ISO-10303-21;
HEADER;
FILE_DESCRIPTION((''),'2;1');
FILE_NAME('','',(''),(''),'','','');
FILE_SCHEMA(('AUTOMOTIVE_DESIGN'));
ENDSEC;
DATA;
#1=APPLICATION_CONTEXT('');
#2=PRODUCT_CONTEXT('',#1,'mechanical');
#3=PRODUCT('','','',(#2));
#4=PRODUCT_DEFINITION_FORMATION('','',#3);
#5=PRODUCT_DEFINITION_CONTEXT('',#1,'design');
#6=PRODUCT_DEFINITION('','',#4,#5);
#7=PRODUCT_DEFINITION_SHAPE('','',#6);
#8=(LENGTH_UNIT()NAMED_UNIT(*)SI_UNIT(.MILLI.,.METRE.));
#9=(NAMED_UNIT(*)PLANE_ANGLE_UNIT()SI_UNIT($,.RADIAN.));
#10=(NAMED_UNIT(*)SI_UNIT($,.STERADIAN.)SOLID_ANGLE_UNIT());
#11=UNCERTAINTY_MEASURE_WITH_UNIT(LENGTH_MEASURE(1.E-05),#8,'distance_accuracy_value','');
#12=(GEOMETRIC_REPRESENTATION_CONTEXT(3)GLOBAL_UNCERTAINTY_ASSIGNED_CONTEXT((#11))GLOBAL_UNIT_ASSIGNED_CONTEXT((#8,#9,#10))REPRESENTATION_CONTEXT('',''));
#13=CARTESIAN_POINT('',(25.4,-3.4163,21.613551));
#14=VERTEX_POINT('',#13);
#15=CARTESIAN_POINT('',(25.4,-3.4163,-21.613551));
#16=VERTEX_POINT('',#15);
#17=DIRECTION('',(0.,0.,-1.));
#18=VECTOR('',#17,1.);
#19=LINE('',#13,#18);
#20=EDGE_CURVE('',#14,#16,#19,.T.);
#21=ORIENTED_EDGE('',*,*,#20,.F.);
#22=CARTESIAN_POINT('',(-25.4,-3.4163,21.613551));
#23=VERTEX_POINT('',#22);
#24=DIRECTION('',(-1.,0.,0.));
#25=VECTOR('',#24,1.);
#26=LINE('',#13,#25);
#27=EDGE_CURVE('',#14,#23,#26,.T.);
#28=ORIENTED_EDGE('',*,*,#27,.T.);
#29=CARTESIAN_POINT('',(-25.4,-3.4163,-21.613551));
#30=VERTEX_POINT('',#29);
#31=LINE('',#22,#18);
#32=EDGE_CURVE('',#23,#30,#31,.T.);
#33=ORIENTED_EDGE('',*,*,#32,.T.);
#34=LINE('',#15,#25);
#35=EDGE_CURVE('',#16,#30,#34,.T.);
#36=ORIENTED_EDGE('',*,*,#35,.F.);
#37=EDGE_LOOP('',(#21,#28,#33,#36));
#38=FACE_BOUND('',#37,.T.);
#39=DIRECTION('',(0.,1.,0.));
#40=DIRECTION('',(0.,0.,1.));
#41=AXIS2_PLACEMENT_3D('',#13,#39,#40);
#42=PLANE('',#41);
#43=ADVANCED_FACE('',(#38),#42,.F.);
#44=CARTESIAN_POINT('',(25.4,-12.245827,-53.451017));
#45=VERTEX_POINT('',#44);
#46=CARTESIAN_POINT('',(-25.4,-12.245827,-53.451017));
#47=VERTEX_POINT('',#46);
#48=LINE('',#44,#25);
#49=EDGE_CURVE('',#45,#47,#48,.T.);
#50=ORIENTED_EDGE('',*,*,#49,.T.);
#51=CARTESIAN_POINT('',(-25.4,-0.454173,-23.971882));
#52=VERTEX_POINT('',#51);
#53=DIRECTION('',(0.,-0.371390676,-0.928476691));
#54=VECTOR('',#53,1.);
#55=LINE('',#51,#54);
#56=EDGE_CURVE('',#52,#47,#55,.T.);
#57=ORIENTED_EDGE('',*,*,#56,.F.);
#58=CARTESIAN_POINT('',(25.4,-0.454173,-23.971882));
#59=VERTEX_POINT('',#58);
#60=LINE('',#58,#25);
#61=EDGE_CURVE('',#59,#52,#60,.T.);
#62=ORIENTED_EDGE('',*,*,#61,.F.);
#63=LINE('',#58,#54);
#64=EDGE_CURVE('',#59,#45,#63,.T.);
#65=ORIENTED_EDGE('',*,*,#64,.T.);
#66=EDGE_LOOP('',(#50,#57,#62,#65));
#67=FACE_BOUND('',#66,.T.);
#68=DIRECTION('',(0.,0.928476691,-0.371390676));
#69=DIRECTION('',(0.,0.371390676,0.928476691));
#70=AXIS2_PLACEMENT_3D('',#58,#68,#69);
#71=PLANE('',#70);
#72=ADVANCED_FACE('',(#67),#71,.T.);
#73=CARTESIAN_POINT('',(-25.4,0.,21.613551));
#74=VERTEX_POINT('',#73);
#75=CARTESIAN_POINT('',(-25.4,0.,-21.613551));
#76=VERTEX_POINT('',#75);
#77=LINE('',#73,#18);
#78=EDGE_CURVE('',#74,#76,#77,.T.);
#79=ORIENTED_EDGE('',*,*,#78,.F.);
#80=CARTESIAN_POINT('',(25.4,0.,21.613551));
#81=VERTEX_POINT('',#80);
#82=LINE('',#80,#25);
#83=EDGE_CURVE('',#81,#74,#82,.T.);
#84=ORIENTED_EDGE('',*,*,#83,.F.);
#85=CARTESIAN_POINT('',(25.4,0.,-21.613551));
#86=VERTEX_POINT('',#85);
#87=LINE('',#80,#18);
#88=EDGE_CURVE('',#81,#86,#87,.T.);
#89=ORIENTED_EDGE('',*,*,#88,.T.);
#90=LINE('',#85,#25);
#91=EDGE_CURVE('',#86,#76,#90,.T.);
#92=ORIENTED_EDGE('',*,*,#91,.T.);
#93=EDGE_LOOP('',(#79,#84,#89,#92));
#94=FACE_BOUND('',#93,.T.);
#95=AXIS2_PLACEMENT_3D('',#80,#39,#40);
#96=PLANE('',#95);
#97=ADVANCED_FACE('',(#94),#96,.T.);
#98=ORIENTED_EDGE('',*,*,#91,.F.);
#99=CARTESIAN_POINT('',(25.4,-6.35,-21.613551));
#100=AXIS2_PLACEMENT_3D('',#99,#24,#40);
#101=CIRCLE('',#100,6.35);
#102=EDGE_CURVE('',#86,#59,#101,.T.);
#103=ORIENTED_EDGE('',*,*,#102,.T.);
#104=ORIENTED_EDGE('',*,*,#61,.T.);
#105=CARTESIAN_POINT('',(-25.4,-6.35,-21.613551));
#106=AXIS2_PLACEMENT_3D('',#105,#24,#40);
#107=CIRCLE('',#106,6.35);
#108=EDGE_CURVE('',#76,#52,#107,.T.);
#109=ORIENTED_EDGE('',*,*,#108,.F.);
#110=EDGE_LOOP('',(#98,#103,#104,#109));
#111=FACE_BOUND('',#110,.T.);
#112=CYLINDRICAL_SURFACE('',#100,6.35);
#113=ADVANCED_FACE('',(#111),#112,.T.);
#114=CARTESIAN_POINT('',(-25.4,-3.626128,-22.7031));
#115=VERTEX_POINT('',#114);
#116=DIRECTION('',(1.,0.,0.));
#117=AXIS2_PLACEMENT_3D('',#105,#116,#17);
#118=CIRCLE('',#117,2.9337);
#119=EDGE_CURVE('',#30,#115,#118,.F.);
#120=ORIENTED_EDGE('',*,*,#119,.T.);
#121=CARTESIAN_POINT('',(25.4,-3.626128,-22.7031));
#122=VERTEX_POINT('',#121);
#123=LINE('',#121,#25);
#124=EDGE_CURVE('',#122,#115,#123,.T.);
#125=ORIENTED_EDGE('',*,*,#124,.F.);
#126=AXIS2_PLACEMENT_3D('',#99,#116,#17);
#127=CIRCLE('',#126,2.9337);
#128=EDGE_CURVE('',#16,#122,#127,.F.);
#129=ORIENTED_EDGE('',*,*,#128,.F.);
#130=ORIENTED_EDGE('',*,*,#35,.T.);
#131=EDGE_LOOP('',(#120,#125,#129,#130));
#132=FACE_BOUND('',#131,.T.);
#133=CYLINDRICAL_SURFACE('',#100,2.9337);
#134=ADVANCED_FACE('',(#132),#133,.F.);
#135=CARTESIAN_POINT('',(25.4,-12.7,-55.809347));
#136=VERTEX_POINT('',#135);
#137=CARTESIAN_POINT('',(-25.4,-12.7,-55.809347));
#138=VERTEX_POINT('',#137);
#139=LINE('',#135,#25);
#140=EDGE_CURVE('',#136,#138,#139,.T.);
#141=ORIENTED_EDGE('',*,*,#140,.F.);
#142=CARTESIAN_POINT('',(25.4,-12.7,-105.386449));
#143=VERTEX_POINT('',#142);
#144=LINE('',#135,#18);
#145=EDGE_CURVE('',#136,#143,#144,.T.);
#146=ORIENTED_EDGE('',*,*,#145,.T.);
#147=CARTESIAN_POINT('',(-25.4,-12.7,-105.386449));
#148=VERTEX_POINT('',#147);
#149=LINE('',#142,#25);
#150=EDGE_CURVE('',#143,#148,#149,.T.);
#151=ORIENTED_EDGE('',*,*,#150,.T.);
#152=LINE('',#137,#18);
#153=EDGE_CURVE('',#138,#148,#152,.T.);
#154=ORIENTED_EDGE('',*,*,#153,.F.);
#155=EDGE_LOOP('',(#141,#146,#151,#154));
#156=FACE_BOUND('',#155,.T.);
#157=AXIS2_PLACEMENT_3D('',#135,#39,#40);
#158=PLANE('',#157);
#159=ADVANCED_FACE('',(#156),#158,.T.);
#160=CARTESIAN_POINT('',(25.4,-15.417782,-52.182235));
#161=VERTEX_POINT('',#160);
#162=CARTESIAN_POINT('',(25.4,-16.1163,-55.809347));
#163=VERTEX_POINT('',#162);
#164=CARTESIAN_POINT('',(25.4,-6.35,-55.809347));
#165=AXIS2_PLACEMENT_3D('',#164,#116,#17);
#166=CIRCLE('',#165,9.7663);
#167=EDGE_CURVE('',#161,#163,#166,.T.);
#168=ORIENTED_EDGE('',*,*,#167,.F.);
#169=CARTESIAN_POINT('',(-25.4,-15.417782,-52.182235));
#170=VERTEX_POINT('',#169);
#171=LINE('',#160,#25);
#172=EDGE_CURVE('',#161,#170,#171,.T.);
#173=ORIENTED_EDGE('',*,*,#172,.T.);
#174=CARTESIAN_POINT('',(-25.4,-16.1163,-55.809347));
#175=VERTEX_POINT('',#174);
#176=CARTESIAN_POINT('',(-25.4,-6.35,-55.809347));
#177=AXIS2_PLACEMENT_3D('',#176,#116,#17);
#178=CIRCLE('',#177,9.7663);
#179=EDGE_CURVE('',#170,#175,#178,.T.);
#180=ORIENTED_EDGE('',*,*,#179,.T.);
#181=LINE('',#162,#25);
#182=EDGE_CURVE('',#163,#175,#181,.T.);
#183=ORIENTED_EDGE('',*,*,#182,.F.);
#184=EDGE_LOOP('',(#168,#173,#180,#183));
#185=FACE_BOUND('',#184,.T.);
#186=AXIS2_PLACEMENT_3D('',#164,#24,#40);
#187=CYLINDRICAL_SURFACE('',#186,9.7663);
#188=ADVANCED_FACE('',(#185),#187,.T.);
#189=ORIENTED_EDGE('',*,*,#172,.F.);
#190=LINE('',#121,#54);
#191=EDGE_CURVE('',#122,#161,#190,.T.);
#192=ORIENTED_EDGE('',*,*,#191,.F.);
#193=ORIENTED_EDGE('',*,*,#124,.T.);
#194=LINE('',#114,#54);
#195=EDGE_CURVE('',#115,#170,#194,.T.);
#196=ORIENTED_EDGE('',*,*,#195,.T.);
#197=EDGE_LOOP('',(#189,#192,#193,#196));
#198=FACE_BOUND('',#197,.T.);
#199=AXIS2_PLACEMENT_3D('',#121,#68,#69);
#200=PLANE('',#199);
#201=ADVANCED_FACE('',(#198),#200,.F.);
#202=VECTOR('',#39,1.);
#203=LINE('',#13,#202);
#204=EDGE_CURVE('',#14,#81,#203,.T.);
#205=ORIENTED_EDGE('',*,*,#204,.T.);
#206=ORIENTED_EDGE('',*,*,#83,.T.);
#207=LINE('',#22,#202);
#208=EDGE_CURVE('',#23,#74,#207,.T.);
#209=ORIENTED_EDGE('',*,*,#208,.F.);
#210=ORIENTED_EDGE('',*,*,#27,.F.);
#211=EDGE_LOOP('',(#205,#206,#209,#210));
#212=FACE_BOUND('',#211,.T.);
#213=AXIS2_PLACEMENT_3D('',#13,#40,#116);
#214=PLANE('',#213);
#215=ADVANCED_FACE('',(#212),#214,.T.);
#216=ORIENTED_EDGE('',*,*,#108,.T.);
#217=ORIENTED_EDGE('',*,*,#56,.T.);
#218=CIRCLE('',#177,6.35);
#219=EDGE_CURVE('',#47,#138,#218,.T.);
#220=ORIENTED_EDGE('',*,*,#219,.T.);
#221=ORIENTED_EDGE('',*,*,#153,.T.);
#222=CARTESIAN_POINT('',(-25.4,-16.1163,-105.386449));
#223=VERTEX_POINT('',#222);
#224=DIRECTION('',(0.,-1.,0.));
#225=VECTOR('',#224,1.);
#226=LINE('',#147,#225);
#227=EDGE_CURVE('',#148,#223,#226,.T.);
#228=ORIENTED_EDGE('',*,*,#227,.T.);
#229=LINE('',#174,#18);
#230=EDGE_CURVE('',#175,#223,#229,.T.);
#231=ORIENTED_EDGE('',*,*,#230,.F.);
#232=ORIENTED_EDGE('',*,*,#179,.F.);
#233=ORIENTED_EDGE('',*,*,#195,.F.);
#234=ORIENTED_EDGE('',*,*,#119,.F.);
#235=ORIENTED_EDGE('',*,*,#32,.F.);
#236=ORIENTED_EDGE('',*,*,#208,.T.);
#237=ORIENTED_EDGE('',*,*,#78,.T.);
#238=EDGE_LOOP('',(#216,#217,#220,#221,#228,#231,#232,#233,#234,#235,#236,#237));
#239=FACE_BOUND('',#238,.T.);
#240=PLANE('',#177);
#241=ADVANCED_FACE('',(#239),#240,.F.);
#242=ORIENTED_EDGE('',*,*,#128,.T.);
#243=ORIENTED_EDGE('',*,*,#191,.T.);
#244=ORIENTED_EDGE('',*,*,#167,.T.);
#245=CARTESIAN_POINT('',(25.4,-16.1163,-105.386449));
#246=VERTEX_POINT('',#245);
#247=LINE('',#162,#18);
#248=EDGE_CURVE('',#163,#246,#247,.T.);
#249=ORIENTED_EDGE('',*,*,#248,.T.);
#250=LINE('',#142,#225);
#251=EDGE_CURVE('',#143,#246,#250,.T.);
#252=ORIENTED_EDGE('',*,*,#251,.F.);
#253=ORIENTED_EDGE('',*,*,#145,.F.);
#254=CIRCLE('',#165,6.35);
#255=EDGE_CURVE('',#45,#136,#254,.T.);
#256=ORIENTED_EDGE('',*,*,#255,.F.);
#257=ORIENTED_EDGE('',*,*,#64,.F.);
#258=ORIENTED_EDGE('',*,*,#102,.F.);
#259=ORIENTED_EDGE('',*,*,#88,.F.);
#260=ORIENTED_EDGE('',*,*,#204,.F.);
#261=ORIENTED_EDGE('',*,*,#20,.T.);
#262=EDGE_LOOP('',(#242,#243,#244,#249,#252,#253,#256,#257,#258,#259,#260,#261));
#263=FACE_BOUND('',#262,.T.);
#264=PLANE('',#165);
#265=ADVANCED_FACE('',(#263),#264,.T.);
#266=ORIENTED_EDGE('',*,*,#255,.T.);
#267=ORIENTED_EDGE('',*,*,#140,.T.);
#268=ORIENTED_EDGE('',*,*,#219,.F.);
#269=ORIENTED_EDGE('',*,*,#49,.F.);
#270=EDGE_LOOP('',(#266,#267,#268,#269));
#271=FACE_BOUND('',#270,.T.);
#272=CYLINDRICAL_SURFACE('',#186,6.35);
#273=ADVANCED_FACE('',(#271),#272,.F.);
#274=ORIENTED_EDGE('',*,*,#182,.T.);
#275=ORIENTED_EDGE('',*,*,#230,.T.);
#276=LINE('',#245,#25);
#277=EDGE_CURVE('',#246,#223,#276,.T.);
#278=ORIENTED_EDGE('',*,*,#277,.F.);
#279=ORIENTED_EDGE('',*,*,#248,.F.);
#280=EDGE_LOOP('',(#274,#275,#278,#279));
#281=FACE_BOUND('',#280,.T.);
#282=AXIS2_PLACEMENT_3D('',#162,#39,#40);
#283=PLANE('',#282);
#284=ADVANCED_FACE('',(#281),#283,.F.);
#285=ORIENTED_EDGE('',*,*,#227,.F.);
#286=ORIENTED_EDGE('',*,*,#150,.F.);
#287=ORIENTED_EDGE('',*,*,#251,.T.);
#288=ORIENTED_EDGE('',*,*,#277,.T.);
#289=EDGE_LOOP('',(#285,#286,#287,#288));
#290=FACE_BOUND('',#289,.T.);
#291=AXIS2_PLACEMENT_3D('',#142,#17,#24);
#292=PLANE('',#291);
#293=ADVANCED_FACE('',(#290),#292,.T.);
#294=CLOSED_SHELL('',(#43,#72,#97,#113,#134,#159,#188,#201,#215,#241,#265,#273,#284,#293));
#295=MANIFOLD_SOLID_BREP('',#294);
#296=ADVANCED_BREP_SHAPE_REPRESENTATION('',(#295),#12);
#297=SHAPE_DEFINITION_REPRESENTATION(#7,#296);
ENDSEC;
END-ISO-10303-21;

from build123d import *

# Parameters (mm, degrees)
BASE_THIN_DEPTH = 25.4


with BuildPart() as part:
    # Sketch1 → Base Thin (new body, symmetric)
    with BuildSketch(Plane(origin=(0, 0, 0), x_dir=(0, 0, -1), z_dir=(1, 0, 0))):
        with BuildLine():
            Line((-21.613550869, 0), (21.613550869, 0))
            ThreePointArc((21.613550869, 0), (22.814383628, -0.114576944), (23.971881664, -0.454173013))
            Line((23.971881664, -0.454173013), (53.451016599, -12.245826987))
            ThreePointArc((53.451016599, -12.245826987), (54.608514635, -12.585423056), (55.809347394, -12.7))
            Line((55.809347394, -12.7), (105.386449131, -12.7))
            Line((105.386449131, -12.7), (105.386449131, -16.1163))
            Line((105.386449131, -16.1163), (55.809347394, -16.1163))
            ThreePointArc((55.809347394, -16.1163), (53.96246661, -15.94008066), (52.182234632, -15.417781906))
            Line((52.182234632, -15.417781906), (22.703099696, -3.626127932))
            ThreePointArc((22.703099696, -3.626127932), (22.168335603, -3.469234548), (21.613550869, -3.4163))
            Line((21.613550869, -3.4163), (-21.613550869, -3.4163))
            Line((-21.613550869, -3.4163), (-21.613550869, 0))
        make_face()
    extrude(amount=BASE_THIN_DEPTH, both=True)


solid = part.part
